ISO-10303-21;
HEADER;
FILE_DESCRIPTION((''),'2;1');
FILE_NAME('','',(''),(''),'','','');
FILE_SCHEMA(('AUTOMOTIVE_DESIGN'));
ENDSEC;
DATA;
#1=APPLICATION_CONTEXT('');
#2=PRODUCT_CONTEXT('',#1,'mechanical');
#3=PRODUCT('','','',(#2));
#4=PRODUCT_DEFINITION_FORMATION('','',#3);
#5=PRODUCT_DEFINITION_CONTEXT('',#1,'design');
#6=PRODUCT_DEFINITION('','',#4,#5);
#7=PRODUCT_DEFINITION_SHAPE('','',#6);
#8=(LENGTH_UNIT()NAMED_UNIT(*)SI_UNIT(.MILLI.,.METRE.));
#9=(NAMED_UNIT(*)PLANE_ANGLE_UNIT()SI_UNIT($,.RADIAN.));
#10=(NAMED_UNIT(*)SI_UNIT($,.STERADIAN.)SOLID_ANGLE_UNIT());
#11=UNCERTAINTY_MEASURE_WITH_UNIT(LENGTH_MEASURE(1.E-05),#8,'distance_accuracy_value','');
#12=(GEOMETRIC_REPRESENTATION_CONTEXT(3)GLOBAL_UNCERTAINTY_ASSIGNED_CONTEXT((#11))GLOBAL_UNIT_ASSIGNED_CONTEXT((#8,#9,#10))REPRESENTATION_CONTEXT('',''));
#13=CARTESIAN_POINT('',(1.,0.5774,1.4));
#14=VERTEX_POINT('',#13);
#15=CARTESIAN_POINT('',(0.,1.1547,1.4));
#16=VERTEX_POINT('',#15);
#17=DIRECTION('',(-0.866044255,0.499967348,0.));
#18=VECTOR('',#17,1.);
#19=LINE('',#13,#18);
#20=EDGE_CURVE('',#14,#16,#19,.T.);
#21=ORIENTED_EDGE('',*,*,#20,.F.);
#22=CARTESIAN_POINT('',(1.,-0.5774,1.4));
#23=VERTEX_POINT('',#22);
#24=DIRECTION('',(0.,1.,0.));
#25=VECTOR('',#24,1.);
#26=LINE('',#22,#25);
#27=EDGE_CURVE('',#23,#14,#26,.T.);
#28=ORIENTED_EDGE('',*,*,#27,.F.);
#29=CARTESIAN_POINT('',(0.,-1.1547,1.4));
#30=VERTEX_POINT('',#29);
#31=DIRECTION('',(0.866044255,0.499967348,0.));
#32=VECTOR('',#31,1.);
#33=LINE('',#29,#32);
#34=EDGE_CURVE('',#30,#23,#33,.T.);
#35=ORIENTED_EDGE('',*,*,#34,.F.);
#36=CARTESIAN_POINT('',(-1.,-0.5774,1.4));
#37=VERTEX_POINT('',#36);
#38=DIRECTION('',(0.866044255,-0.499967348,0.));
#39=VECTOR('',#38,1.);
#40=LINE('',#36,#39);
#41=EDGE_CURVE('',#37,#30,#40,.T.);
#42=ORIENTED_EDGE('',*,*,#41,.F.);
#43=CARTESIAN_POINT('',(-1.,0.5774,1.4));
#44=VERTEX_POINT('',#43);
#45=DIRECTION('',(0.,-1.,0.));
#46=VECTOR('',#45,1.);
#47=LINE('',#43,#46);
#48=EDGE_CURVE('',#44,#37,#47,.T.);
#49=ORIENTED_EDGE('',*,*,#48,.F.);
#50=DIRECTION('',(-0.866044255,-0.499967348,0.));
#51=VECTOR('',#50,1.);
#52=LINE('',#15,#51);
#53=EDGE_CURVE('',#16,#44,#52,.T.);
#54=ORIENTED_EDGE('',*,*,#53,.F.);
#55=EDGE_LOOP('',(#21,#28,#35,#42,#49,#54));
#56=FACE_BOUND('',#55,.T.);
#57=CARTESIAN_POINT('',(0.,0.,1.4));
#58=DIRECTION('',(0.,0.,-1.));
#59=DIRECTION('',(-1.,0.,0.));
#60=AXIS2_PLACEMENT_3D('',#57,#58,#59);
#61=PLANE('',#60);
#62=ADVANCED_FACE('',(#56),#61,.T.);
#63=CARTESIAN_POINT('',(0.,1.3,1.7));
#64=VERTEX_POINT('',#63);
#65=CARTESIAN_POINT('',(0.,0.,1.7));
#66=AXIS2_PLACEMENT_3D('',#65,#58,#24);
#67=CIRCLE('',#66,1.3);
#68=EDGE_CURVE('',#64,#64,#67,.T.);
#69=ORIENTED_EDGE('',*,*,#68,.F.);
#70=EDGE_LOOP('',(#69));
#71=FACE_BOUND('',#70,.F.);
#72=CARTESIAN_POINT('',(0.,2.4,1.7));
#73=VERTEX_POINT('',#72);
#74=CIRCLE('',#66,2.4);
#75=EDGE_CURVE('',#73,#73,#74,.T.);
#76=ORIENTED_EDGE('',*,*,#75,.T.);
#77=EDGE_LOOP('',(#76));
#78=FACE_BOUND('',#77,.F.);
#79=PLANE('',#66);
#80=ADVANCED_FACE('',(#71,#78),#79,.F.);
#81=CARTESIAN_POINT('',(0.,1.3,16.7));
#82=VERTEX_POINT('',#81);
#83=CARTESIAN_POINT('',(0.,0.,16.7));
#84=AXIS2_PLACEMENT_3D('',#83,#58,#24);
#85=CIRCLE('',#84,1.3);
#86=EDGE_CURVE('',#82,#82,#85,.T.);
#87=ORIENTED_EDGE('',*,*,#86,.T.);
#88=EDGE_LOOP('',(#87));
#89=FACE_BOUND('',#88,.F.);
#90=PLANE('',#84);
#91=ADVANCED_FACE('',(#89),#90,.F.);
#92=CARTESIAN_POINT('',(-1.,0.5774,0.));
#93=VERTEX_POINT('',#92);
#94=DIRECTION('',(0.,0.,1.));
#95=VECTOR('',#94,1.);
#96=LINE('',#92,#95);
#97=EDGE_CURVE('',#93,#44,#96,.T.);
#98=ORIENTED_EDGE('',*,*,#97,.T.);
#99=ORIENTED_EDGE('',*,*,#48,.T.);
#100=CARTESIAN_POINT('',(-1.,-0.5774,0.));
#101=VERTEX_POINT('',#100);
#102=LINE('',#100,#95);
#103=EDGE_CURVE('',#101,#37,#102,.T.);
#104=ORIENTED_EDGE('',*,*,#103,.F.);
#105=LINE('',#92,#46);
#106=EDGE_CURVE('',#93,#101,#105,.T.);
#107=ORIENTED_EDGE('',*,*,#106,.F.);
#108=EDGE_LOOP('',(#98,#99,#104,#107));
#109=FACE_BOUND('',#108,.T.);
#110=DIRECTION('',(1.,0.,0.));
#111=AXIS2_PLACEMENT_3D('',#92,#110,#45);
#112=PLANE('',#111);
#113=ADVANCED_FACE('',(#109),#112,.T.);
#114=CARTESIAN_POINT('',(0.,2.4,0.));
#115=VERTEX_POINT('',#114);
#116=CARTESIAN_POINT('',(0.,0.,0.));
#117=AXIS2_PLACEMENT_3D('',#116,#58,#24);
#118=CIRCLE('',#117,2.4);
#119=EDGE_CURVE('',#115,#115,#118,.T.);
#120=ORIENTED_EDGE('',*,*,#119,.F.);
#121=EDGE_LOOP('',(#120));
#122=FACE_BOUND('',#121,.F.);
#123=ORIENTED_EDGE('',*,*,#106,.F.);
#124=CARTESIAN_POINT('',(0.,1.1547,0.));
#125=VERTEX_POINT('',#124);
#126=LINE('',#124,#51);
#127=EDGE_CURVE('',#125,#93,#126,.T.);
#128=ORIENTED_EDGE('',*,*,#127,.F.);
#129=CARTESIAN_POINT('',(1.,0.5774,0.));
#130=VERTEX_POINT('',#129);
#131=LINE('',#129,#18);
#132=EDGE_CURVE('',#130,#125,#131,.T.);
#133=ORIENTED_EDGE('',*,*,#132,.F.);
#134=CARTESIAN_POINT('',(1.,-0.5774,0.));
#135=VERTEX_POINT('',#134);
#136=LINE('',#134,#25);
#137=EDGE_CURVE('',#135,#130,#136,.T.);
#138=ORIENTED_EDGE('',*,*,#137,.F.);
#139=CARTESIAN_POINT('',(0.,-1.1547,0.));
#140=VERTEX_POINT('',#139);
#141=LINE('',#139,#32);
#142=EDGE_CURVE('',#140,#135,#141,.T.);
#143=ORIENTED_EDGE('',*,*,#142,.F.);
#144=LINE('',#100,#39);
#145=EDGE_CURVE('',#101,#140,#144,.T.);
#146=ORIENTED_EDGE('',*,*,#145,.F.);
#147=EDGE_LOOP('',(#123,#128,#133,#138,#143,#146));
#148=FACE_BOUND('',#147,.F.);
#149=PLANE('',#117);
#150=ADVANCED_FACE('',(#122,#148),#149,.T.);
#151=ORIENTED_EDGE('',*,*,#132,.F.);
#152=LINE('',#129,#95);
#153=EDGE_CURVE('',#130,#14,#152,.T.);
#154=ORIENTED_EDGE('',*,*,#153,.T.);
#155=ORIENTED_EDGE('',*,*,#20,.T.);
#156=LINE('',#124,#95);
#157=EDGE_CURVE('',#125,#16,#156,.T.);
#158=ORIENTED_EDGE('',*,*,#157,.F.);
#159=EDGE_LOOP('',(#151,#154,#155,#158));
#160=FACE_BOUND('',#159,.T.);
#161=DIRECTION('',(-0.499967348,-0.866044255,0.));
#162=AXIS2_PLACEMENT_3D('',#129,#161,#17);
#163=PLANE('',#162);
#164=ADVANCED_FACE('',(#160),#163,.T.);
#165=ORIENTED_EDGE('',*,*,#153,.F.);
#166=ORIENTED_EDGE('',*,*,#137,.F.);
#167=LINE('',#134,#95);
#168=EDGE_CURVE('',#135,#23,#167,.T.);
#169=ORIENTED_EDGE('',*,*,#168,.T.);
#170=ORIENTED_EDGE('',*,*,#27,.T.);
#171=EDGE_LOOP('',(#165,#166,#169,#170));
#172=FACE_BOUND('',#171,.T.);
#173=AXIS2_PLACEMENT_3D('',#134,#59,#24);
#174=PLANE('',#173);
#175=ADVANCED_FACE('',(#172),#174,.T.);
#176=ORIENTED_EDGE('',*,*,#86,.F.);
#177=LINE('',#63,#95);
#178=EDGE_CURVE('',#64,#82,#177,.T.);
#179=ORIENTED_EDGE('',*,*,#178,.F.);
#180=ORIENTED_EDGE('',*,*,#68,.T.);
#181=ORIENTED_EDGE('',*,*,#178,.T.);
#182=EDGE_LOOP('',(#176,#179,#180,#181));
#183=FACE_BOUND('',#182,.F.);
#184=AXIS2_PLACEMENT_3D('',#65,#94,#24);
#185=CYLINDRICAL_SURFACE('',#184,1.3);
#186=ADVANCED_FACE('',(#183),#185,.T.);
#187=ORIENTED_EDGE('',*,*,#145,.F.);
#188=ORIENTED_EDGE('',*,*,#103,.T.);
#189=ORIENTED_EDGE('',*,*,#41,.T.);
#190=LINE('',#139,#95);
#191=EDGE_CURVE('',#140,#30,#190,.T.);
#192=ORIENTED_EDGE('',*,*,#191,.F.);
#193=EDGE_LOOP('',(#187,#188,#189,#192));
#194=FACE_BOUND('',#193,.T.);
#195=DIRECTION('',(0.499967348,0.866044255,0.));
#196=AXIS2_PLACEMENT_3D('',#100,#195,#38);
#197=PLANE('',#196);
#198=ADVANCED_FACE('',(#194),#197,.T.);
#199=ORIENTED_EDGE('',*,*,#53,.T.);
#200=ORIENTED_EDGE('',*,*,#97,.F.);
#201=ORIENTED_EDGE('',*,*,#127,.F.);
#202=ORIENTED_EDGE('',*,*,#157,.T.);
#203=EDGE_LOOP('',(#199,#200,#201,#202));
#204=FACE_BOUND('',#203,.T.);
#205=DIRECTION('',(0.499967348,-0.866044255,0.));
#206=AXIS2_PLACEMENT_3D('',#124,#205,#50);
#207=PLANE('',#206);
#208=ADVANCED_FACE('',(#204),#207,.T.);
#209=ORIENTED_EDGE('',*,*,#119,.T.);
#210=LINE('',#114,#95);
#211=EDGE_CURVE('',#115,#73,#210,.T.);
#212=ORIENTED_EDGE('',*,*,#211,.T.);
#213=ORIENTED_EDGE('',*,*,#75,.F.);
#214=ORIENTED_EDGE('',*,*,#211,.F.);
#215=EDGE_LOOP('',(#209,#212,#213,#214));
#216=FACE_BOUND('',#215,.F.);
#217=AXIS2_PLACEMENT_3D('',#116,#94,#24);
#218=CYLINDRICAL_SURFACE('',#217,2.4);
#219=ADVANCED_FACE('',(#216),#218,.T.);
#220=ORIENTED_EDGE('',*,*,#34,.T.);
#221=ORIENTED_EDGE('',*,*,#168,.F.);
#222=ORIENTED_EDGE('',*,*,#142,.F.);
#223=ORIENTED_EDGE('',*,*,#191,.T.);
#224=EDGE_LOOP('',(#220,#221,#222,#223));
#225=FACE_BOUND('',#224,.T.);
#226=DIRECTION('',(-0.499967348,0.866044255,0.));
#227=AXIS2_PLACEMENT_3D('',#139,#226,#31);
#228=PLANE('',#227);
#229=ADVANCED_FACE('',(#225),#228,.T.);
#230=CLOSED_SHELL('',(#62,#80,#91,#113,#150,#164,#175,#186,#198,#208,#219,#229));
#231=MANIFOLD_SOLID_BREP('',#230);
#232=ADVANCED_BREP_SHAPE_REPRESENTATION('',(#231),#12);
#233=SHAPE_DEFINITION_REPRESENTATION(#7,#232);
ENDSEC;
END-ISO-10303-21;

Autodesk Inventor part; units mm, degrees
ref_plane "YZ Plane" through (0, 0, 0) normal (1, 0, 0) x (0, 1, 0)
ref_plane "XZ Plane" through (0, 0, 0) normal (0, 1, 0) x (-1, 0, 0)
ref_plane "XY Plane" through (0, 0, 0) normal (0, 0, 1) x (1, 0, 0)
sketch "スケッチ1" plane through (0, 0, 0) normal (1, 0, 0) x (0, 1, 0)
  line L0 (0, 16.7) -> (0, 0)
  line L1 (0, 0) -> (2.4, 0)
  line L2 (2.4, 0) -> (2.4, 1.7)
  line L3 (2.4, 1.7) -> (1.3, 1.7)
  line L4 (1.3, 1.7) -> (1.3, 16.7)
  line L5 (1.3, 16.7) -> (0, 16.7)
  dimension "d2" = 1.7
  dimension "d10" = 15
  dimension "d11" = 2.6
  dimension "d12" = 4.8
revolve "回転1" add sketch "スケッチ1" angle 360 about axis through (0, 0, 16.7) along (0, 0, -1)
thread "ねじ1" size "M2.6x0.45" class "6g" standard "ANSI Metric M Profile" full length
sketch "スケッチ2" plane through (0, 0, 0) normal (0, 0, -1) x (-1, 0, 0)
  line L0 (0, 1.1547) -> (1, 0.5774)
  line L1 (1, 0.5774) -> (1, -0.5774)
  line L2 (1, -0.5774) -> (0, -1.1547)
  line L3 (0, -1.1547) -> (-1, -0.5774)
  line L4 (-1, -0.5774) -> (-1, 0.5774)
  line L5 (-1, 0.5774) -> (0, 1.1547)
  line L6 (0, 2.4) -> (0, -2.4) construction
  circle A0 centre (0, 0) radius 2.4 projected
  dimension "d7" = 2
extrude "押し出し1" cut sketch "スケッチ2" against normal blind 1.4 contours L0 L1 L2 L3 L4 L5
properties part number "M2_6-15" material "チタン"
